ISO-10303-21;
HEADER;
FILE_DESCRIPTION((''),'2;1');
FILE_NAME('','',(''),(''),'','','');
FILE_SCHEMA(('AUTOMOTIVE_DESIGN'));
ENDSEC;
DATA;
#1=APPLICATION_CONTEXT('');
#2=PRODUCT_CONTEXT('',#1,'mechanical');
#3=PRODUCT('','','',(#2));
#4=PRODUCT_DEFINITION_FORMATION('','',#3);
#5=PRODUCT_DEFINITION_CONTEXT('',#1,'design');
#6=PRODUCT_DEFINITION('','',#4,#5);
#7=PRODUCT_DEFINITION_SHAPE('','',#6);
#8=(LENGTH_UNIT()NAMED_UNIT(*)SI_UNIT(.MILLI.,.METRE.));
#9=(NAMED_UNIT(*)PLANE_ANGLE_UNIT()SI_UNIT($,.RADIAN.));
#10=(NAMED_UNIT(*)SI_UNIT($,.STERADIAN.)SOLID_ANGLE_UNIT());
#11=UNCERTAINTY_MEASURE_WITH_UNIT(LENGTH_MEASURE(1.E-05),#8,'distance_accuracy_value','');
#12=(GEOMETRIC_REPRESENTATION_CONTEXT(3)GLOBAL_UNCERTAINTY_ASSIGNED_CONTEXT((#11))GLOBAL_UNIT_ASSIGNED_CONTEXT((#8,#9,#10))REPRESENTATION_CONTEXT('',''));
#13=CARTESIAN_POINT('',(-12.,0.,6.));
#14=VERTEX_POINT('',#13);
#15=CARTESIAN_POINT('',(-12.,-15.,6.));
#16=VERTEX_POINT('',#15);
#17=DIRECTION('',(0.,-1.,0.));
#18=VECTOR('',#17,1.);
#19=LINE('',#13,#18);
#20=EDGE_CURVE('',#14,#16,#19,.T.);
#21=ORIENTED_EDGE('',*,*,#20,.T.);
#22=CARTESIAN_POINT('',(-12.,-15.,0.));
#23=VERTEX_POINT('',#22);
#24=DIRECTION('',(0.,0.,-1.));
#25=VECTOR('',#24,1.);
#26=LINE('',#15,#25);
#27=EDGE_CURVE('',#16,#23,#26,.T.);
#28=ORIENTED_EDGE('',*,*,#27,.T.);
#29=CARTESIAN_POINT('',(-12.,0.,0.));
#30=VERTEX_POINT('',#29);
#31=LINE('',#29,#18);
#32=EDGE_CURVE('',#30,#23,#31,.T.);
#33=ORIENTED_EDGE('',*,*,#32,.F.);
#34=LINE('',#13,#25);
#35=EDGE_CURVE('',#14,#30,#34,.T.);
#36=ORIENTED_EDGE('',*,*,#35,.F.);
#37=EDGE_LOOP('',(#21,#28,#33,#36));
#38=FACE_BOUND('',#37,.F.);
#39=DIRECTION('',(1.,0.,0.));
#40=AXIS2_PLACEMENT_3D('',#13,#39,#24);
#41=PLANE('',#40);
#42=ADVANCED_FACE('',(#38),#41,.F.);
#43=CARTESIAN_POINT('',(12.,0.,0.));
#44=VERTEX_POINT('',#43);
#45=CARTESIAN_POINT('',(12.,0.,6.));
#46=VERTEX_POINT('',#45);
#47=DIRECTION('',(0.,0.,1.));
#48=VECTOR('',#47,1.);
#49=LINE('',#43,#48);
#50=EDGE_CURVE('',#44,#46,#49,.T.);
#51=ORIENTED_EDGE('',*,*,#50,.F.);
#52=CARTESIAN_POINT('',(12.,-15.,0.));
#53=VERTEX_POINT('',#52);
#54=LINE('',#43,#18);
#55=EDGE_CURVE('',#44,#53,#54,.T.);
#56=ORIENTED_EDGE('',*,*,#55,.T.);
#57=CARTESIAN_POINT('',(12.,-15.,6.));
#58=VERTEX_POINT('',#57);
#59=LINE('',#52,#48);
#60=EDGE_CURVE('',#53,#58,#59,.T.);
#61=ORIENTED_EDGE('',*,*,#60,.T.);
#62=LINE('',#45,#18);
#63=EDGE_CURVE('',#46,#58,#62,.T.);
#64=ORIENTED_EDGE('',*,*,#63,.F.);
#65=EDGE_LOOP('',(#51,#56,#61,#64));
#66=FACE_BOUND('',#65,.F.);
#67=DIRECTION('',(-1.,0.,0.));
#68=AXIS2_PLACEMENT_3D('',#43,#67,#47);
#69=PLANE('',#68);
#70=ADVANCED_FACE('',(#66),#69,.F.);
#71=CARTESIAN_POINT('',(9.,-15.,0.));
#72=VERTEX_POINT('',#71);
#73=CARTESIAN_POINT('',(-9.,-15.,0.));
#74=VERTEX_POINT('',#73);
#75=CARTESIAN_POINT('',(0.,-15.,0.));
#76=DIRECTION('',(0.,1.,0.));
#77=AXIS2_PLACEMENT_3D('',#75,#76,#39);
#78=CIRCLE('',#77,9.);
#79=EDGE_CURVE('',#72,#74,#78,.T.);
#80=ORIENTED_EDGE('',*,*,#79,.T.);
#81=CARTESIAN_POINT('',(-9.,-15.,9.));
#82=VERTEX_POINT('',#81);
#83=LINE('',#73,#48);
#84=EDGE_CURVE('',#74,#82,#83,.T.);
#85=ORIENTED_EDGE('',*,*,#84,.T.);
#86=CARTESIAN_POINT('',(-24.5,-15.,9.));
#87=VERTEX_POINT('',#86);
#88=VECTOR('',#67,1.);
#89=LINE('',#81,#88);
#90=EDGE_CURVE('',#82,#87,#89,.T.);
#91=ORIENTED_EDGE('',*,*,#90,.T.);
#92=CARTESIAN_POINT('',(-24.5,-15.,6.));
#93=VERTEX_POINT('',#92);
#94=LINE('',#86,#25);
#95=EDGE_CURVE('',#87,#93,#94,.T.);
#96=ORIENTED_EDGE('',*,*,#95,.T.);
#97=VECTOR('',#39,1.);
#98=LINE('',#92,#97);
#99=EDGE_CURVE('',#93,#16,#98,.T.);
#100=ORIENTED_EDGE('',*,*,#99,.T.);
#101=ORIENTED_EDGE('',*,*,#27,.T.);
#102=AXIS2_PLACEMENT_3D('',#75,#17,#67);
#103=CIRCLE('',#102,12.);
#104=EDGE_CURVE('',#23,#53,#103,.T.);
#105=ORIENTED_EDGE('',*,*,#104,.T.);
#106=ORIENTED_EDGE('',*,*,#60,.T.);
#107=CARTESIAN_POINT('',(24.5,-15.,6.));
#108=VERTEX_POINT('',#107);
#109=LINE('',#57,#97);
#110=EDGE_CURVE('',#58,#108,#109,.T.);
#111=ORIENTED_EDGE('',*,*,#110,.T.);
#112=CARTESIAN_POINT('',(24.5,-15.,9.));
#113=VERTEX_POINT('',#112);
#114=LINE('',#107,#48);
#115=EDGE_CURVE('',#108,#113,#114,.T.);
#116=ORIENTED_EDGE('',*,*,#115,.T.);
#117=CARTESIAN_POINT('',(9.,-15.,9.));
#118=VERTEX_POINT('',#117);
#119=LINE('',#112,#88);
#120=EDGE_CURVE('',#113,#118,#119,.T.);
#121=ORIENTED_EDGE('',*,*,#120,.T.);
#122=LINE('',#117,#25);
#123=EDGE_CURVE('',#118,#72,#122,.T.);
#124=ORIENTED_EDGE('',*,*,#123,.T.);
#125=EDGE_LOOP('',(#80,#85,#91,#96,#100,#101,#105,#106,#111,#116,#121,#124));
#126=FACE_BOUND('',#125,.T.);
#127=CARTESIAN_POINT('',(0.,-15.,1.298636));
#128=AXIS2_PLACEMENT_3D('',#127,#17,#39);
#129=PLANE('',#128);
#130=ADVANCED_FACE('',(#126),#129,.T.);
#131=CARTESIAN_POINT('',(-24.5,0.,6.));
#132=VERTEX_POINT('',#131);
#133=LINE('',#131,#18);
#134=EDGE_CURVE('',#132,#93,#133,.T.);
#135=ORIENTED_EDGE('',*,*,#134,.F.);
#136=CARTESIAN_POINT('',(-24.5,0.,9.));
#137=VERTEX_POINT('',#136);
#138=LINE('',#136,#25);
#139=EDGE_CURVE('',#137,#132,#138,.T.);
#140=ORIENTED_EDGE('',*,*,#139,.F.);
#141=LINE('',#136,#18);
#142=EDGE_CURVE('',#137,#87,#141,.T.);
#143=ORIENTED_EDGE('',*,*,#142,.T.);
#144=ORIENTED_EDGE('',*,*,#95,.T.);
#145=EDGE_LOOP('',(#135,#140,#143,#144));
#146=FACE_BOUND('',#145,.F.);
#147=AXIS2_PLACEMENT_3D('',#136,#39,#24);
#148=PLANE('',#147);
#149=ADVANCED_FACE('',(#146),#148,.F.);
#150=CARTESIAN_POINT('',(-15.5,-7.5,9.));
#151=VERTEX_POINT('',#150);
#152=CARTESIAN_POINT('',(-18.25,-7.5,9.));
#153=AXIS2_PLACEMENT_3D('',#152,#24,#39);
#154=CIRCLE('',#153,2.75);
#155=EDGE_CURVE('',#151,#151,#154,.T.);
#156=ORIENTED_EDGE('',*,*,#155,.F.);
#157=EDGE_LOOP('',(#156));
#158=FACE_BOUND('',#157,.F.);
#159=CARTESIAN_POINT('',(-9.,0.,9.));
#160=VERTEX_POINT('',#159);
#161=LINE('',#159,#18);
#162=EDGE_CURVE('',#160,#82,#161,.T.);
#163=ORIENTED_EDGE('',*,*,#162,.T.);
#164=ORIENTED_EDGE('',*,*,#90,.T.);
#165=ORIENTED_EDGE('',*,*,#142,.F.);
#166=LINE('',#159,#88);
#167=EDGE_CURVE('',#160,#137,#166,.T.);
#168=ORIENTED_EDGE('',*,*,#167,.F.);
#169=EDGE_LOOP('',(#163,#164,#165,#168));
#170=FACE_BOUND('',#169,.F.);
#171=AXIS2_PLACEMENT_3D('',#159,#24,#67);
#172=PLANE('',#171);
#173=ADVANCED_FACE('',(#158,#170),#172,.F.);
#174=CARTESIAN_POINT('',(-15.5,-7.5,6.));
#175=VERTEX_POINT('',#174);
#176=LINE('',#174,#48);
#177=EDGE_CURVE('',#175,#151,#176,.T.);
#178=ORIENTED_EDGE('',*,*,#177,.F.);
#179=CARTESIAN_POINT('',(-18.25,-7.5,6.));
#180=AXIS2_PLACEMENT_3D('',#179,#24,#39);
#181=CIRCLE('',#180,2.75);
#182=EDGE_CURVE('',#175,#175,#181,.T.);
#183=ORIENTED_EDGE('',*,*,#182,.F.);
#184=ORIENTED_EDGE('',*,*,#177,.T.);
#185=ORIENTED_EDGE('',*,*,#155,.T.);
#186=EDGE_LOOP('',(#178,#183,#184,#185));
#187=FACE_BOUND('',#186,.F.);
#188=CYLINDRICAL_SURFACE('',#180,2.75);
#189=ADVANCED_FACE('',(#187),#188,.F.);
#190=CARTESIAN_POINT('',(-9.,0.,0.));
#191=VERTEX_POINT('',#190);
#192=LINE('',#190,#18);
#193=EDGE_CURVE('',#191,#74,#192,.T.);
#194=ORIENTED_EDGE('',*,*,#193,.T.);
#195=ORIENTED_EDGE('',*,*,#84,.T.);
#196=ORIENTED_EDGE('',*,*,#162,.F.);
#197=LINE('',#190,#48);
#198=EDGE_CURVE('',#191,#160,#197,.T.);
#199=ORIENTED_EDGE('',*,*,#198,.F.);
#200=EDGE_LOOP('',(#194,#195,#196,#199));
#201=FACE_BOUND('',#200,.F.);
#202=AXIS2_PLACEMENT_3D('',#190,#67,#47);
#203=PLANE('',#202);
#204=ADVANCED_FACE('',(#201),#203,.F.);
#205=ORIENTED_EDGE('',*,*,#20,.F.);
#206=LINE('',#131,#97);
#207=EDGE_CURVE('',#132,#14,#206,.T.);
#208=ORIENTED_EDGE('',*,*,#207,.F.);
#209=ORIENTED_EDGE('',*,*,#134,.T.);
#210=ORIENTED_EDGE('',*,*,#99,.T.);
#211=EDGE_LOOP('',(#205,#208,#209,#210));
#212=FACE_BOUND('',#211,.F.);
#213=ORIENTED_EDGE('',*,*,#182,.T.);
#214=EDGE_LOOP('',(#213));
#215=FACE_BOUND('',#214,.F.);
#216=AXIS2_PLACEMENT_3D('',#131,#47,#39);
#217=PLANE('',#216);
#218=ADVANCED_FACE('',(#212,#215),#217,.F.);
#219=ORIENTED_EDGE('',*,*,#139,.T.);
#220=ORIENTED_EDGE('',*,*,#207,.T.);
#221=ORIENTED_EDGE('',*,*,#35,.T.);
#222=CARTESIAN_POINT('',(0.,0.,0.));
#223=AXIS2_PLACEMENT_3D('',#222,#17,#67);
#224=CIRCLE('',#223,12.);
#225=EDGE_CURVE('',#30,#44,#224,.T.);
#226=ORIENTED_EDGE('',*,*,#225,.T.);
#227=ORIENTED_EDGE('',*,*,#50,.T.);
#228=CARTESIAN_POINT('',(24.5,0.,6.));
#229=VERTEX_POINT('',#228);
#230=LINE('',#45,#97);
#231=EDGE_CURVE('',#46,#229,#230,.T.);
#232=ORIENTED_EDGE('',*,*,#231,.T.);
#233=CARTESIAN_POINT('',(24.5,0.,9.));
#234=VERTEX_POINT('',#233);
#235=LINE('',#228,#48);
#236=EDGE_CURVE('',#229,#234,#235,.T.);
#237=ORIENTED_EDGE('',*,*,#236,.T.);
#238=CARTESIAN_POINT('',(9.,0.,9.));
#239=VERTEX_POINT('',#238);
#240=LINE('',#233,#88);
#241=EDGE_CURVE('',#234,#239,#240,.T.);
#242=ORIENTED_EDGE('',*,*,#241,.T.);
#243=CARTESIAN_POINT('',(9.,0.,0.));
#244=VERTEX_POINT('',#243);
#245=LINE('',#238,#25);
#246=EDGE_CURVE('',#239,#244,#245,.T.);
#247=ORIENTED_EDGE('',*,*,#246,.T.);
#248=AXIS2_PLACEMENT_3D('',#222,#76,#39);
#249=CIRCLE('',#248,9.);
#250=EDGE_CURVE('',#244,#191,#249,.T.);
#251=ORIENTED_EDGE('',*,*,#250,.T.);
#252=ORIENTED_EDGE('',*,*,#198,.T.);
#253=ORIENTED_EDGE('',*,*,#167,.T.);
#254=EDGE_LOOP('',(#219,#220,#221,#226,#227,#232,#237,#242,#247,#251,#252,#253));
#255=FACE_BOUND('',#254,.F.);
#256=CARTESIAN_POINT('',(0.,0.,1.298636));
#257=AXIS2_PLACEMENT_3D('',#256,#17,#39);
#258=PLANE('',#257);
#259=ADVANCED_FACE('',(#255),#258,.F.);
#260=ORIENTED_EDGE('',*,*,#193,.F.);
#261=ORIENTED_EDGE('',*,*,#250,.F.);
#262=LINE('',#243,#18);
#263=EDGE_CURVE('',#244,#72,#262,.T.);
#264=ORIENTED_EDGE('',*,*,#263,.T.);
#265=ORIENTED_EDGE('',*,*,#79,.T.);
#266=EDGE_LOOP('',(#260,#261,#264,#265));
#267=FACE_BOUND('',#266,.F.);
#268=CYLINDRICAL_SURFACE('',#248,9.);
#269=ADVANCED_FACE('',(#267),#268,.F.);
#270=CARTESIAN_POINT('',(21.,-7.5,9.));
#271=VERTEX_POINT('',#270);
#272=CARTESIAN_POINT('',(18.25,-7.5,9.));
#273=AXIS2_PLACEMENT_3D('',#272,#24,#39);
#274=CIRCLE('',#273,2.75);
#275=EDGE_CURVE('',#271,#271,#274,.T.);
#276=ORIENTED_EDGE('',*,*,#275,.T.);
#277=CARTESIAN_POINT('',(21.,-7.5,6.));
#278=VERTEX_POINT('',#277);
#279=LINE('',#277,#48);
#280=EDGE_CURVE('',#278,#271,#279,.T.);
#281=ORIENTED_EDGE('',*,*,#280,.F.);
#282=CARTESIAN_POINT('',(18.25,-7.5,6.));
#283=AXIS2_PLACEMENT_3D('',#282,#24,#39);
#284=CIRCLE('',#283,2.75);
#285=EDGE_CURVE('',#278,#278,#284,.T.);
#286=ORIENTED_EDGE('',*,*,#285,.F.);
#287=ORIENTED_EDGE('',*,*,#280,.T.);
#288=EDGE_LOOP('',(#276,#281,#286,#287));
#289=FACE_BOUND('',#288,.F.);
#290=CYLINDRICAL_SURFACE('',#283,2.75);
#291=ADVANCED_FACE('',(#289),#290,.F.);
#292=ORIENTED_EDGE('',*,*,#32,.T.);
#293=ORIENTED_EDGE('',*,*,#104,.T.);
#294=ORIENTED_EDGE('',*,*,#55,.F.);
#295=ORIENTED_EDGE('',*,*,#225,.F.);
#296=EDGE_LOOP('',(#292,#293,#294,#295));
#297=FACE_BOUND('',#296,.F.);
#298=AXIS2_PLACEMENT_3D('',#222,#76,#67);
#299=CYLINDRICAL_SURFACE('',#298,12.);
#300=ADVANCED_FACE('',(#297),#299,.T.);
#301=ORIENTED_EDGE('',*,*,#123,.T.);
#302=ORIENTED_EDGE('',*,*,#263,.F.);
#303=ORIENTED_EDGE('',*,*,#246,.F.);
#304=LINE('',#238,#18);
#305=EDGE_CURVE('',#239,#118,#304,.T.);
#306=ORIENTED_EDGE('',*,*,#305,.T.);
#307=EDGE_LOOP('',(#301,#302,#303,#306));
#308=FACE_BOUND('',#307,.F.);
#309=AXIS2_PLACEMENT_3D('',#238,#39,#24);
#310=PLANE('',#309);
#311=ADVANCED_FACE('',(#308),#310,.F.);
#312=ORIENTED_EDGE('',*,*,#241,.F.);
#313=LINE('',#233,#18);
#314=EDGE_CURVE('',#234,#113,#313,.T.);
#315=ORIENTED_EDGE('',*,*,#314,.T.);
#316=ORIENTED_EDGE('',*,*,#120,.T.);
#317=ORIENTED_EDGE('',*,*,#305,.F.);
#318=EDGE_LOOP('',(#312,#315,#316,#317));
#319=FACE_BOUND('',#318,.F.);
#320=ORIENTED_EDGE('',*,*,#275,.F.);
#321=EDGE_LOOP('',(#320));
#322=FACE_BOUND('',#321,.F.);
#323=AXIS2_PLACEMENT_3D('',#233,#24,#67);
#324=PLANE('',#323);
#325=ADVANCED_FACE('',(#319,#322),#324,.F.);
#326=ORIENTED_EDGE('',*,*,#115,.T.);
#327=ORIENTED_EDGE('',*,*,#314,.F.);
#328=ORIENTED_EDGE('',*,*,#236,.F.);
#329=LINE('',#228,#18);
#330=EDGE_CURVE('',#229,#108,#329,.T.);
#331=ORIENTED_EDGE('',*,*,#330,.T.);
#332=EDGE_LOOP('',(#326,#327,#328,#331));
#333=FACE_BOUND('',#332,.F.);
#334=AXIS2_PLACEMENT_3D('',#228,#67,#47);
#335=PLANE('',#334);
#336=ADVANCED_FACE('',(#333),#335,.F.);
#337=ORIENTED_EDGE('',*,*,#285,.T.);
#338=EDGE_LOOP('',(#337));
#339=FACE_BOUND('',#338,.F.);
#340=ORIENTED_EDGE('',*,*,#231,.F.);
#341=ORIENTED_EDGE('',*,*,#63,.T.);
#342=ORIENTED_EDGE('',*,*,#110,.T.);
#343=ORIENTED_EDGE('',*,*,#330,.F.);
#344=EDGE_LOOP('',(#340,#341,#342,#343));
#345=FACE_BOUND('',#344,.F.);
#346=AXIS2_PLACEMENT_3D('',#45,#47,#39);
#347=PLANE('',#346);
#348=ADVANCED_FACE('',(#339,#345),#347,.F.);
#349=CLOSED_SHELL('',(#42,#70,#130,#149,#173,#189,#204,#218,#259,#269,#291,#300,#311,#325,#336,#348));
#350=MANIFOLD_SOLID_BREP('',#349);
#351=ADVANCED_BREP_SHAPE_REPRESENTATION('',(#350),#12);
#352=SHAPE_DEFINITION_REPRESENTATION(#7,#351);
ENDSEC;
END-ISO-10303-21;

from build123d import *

# Parameters (mm, degrees)
F1_DEPTH = 15
F2_R     = 2.75
F3_DEPTH = 25


with BuildPart() as f1:
    # F0 (on Front) → F1 (new body)
    with BuildSketch(Plane.XZ):
        with BuildLine():
            ThreePointArc((9, 0), (0, -9), (-9, 0))
            Line((-9, 0), (-9, 9))
            Line((-9, 9), (-12, 9))
            Line((-12, 9), (-24.5, 9))
            Line((-24.5, 9), (-24.5, 6))
            Line((-24.5, 6), (-12, 6))
            Line((-12, 6), (-12, 0))
            ThreePointArc((-12, 0), (0, -12), (12, 0))
            Line((12, 0), (12, 6))
            Line((12, 6), (24.5, 6))
            Line((24.5, 6), (24.5, 9))
            Line((24.5, 9), (12, 9))
            Line((12, 9), (9, 9))
            Line((9, 9), (9, 0))
        make_face()
    extrude(amount=F1_DEPTH)

    # F2 (on face) → F3 (cut)
    with BuildSketch(Plane(origin=(0, 0, 6), x_dir=(1, 0, 0), z_dir=(0, 0, -1))):
        with Locations((18.25, 7.5)):
            Circle(F2_R)
        with Locations((-18.25, 7.5)):
            Circle(F2_R)
    extrude(amount=-F3_DEPTH, mode=Mode.SUBTRACT)


solid = f1.part
